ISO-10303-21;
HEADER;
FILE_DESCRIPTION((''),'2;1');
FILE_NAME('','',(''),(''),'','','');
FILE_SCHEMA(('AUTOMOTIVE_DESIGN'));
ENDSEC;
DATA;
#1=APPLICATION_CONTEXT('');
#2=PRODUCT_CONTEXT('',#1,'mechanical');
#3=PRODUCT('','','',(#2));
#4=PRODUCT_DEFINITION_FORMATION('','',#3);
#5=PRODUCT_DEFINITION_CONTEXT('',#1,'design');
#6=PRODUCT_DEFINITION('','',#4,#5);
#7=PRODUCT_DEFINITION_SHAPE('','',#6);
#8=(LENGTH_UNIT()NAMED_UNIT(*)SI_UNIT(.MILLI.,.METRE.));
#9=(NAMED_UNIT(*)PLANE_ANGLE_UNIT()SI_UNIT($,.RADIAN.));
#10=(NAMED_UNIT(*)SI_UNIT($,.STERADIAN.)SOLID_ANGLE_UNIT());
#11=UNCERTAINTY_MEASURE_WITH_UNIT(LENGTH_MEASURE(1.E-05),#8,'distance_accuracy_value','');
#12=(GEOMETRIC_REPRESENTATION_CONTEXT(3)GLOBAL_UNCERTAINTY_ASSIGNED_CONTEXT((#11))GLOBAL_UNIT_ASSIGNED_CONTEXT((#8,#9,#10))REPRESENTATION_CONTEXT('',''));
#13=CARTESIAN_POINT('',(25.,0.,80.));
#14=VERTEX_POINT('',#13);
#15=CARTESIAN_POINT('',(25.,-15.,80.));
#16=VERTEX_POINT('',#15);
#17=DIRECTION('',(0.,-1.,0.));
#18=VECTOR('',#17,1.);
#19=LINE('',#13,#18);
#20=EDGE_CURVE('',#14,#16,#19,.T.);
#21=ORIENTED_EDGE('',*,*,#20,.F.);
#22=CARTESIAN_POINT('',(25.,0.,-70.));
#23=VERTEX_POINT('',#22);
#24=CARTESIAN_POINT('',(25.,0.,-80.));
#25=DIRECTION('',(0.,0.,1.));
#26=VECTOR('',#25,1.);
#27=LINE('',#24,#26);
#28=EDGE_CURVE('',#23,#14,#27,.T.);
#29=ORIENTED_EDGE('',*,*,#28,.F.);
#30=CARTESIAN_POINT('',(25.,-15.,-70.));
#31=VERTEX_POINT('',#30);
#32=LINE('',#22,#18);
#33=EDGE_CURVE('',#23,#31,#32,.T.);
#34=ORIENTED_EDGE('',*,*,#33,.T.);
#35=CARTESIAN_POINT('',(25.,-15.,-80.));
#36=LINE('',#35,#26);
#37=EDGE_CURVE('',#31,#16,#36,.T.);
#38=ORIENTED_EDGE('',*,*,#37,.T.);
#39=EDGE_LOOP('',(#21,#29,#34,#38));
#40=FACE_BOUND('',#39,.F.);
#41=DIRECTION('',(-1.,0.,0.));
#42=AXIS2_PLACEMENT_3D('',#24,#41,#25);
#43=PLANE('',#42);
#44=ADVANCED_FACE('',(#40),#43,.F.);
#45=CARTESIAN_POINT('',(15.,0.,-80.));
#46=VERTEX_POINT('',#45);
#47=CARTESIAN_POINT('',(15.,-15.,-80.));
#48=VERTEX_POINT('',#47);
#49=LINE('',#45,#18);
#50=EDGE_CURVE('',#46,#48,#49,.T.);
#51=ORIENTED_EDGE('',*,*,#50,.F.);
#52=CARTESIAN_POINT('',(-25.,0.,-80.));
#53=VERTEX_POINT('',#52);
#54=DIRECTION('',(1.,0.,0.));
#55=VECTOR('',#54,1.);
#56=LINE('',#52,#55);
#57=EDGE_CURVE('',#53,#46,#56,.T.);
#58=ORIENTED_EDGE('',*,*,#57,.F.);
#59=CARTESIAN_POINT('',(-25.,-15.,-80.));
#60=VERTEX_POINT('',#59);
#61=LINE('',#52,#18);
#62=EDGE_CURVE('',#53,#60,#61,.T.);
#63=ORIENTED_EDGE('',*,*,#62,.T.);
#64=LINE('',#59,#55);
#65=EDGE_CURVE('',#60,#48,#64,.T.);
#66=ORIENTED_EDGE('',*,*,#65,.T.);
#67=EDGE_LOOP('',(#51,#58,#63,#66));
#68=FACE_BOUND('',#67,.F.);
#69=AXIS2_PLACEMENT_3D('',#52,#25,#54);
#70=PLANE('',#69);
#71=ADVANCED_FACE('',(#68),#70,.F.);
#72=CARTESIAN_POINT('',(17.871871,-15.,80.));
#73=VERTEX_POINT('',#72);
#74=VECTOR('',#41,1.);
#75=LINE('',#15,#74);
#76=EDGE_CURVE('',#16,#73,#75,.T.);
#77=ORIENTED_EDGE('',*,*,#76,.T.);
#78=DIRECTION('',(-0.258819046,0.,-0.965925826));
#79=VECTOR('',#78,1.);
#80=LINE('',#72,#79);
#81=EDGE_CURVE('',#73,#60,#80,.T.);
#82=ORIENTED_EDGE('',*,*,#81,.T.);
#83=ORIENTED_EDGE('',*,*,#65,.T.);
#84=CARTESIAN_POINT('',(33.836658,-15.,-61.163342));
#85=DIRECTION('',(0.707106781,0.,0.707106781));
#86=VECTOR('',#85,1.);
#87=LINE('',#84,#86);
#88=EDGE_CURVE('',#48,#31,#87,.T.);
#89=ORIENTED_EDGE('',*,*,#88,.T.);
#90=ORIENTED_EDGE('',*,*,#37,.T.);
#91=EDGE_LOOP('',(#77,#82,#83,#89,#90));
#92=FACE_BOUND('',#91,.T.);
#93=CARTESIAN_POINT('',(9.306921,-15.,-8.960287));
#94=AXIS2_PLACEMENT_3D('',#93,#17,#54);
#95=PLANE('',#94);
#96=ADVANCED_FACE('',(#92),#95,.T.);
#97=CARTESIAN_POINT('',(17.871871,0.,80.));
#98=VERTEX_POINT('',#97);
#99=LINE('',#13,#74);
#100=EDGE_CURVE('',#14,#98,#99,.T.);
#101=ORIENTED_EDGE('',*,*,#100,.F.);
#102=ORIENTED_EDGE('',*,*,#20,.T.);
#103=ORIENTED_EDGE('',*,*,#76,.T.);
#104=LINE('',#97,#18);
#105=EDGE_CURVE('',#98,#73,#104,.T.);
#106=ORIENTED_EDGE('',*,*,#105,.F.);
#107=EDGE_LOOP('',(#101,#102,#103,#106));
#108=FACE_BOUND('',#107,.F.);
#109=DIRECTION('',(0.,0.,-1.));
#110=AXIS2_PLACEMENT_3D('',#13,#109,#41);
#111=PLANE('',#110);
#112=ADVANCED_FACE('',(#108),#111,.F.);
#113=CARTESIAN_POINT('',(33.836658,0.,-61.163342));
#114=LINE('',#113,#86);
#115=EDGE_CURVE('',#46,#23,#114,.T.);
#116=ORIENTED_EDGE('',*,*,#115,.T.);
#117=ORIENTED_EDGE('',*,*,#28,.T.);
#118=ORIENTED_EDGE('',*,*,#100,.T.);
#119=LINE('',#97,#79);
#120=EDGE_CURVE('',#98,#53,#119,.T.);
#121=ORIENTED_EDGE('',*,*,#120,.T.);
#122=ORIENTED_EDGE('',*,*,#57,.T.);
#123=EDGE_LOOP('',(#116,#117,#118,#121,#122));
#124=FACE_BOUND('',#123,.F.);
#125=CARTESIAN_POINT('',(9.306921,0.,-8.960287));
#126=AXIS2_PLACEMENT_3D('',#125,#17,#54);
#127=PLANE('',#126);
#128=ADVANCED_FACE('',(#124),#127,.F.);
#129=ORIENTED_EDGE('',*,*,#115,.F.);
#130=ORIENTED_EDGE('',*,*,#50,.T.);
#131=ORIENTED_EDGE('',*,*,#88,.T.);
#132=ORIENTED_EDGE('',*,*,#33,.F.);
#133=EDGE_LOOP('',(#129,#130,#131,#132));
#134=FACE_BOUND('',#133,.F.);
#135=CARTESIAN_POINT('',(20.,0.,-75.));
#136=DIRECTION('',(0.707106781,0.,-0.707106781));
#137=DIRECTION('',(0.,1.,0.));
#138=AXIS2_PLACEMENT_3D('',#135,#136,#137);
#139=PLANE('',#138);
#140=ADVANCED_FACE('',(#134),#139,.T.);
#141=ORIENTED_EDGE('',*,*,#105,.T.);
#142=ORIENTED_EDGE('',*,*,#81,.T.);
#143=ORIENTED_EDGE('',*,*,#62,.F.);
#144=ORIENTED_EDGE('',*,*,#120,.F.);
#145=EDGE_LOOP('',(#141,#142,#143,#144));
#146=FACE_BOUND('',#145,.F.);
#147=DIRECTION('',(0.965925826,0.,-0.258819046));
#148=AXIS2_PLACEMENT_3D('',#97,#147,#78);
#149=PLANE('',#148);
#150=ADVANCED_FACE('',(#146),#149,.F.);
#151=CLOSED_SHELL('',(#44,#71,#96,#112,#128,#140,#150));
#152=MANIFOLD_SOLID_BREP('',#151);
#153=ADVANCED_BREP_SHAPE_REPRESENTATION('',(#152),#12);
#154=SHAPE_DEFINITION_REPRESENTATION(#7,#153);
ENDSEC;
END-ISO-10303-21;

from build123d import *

# Parameters (mm, degrees)
F1_DEPTH = 15
F2_SIZE  = 10


with BuildPart() as f1:
    # F0 (on Front) → F1 (new body)
    with BuildSketch(Plane.XZ):
        Polygon((17.871871, 80), (-25, -80), (25, -80), (25, 80), align=None)
    extrude(amount=F1_DEPTH)

    # F2
    f2_edges = [f1.edges().sort_by_distance(p)[0] for p in [
        (25, -7.5, -80),
    ]]
    chamfer(f2_edges, length=F2_SIZE)


solid = f1.part
